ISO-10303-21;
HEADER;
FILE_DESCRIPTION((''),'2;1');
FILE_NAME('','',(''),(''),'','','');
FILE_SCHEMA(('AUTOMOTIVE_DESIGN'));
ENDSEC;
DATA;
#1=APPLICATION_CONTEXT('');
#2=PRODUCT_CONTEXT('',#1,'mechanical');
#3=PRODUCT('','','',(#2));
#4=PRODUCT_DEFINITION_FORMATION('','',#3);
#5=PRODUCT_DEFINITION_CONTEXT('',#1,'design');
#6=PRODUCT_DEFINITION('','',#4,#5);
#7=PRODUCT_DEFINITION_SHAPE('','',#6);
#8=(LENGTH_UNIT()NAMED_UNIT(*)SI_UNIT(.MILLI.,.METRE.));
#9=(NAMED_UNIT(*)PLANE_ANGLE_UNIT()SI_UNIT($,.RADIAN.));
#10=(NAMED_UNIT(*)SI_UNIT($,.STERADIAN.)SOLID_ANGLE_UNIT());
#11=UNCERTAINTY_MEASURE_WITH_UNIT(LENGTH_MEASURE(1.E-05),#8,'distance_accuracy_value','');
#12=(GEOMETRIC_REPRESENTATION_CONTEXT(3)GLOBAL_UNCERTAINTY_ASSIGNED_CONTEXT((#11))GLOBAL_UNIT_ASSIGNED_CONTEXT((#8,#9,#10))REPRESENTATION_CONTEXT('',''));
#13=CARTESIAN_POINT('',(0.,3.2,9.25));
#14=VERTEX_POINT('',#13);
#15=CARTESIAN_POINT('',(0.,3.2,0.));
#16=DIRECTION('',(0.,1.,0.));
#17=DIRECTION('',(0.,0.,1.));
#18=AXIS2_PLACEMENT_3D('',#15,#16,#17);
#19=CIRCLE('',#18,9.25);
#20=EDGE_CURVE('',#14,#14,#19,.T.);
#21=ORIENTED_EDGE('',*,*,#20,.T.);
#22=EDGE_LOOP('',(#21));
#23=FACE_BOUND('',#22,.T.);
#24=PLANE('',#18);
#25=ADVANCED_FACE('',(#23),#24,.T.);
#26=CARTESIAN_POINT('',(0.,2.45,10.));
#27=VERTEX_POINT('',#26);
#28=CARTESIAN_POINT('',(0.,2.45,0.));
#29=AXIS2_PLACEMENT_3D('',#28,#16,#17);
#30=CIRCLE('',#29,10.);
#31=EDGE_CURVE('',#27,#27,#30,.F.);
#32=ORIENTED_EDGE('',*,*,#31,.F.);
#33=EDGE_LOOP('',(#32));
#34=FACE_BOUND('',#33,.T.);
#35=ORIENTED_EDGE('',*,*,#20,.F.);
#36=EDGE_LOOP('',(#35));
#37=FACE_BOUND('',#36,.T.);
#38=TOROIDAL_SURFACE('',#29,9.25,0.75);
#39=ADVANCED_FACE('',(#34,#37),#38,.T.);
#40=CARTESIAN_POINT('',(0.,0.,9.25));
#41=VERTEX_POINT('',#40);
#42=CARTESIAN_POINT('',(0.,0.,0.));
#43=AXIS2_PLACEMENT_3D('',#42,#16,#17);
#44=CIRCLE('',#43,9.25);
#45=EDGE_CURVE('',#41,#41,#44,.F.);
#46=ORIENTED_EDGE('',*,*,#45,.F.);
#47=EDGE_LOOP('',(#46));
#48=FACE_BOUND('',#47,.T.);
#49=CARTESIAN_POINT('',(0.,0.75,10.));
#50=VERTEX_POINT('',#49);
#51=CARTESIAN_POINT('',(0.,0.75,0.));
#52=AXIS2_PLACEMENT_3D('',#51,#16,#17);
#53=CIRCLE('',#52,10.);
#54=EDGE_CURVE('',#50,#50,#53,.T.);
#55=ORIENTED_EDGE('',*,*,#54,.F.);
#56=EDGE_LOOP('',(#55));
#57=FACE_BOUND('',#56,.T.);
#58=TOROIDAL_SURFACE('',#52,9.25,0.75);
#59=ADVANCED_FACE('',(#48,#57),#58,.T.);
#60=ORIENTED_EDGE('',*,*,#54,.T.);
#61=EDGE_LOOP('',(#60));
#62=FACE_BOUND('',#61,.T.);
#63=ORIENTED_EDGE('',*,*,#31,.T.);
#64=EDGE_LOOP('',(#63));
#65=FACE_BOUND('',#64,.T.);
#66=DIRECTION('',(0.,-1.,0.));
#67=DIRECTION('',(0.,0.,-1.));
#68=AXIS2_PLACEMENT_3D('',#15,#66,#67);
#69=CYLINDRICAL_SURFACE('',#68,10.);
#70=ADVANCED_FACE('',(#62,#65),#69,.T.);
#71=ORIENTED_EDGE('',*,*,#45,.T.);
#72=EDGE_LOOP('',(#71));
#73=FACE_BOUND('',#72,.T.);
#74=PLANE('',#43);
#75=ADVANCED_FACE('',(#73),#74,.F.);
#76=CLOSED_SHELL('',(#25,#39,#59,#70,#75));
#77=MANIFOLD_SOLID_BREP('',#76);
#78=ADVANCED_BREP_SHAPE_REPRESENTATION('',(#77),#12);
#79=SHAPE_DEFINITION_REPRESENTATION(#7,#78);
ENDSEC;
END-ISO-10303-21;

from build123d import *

# Parameters (mm, degrees)
SKETCH2_R           = 10
BOSS_EXTRUDE1_DEPTH = 3.2
FILLET1_R           = 0.75


with BuildPart() as part:
    # Sketch2 → Boss-Extrude1 (new body)
    with BuildSketch(Plane(origin=(0, 0, 0), x_dir=(1, 0, 0), z_dir=(0, 1, 0))):
        Circle(SKETCH2_R)
    extrude(amount=BOSS_EXTRUDE1_DEPTH)

    # Fillet1
    fillet1_edges = [part.edges().sort_by_distance(p)[0] for p in [
        (-10, 0, 0),
        (-10, 3.2, 0),
    ]]
    fillet(fillet1_edges, radius=FILLET1_R)


solid = part.part
